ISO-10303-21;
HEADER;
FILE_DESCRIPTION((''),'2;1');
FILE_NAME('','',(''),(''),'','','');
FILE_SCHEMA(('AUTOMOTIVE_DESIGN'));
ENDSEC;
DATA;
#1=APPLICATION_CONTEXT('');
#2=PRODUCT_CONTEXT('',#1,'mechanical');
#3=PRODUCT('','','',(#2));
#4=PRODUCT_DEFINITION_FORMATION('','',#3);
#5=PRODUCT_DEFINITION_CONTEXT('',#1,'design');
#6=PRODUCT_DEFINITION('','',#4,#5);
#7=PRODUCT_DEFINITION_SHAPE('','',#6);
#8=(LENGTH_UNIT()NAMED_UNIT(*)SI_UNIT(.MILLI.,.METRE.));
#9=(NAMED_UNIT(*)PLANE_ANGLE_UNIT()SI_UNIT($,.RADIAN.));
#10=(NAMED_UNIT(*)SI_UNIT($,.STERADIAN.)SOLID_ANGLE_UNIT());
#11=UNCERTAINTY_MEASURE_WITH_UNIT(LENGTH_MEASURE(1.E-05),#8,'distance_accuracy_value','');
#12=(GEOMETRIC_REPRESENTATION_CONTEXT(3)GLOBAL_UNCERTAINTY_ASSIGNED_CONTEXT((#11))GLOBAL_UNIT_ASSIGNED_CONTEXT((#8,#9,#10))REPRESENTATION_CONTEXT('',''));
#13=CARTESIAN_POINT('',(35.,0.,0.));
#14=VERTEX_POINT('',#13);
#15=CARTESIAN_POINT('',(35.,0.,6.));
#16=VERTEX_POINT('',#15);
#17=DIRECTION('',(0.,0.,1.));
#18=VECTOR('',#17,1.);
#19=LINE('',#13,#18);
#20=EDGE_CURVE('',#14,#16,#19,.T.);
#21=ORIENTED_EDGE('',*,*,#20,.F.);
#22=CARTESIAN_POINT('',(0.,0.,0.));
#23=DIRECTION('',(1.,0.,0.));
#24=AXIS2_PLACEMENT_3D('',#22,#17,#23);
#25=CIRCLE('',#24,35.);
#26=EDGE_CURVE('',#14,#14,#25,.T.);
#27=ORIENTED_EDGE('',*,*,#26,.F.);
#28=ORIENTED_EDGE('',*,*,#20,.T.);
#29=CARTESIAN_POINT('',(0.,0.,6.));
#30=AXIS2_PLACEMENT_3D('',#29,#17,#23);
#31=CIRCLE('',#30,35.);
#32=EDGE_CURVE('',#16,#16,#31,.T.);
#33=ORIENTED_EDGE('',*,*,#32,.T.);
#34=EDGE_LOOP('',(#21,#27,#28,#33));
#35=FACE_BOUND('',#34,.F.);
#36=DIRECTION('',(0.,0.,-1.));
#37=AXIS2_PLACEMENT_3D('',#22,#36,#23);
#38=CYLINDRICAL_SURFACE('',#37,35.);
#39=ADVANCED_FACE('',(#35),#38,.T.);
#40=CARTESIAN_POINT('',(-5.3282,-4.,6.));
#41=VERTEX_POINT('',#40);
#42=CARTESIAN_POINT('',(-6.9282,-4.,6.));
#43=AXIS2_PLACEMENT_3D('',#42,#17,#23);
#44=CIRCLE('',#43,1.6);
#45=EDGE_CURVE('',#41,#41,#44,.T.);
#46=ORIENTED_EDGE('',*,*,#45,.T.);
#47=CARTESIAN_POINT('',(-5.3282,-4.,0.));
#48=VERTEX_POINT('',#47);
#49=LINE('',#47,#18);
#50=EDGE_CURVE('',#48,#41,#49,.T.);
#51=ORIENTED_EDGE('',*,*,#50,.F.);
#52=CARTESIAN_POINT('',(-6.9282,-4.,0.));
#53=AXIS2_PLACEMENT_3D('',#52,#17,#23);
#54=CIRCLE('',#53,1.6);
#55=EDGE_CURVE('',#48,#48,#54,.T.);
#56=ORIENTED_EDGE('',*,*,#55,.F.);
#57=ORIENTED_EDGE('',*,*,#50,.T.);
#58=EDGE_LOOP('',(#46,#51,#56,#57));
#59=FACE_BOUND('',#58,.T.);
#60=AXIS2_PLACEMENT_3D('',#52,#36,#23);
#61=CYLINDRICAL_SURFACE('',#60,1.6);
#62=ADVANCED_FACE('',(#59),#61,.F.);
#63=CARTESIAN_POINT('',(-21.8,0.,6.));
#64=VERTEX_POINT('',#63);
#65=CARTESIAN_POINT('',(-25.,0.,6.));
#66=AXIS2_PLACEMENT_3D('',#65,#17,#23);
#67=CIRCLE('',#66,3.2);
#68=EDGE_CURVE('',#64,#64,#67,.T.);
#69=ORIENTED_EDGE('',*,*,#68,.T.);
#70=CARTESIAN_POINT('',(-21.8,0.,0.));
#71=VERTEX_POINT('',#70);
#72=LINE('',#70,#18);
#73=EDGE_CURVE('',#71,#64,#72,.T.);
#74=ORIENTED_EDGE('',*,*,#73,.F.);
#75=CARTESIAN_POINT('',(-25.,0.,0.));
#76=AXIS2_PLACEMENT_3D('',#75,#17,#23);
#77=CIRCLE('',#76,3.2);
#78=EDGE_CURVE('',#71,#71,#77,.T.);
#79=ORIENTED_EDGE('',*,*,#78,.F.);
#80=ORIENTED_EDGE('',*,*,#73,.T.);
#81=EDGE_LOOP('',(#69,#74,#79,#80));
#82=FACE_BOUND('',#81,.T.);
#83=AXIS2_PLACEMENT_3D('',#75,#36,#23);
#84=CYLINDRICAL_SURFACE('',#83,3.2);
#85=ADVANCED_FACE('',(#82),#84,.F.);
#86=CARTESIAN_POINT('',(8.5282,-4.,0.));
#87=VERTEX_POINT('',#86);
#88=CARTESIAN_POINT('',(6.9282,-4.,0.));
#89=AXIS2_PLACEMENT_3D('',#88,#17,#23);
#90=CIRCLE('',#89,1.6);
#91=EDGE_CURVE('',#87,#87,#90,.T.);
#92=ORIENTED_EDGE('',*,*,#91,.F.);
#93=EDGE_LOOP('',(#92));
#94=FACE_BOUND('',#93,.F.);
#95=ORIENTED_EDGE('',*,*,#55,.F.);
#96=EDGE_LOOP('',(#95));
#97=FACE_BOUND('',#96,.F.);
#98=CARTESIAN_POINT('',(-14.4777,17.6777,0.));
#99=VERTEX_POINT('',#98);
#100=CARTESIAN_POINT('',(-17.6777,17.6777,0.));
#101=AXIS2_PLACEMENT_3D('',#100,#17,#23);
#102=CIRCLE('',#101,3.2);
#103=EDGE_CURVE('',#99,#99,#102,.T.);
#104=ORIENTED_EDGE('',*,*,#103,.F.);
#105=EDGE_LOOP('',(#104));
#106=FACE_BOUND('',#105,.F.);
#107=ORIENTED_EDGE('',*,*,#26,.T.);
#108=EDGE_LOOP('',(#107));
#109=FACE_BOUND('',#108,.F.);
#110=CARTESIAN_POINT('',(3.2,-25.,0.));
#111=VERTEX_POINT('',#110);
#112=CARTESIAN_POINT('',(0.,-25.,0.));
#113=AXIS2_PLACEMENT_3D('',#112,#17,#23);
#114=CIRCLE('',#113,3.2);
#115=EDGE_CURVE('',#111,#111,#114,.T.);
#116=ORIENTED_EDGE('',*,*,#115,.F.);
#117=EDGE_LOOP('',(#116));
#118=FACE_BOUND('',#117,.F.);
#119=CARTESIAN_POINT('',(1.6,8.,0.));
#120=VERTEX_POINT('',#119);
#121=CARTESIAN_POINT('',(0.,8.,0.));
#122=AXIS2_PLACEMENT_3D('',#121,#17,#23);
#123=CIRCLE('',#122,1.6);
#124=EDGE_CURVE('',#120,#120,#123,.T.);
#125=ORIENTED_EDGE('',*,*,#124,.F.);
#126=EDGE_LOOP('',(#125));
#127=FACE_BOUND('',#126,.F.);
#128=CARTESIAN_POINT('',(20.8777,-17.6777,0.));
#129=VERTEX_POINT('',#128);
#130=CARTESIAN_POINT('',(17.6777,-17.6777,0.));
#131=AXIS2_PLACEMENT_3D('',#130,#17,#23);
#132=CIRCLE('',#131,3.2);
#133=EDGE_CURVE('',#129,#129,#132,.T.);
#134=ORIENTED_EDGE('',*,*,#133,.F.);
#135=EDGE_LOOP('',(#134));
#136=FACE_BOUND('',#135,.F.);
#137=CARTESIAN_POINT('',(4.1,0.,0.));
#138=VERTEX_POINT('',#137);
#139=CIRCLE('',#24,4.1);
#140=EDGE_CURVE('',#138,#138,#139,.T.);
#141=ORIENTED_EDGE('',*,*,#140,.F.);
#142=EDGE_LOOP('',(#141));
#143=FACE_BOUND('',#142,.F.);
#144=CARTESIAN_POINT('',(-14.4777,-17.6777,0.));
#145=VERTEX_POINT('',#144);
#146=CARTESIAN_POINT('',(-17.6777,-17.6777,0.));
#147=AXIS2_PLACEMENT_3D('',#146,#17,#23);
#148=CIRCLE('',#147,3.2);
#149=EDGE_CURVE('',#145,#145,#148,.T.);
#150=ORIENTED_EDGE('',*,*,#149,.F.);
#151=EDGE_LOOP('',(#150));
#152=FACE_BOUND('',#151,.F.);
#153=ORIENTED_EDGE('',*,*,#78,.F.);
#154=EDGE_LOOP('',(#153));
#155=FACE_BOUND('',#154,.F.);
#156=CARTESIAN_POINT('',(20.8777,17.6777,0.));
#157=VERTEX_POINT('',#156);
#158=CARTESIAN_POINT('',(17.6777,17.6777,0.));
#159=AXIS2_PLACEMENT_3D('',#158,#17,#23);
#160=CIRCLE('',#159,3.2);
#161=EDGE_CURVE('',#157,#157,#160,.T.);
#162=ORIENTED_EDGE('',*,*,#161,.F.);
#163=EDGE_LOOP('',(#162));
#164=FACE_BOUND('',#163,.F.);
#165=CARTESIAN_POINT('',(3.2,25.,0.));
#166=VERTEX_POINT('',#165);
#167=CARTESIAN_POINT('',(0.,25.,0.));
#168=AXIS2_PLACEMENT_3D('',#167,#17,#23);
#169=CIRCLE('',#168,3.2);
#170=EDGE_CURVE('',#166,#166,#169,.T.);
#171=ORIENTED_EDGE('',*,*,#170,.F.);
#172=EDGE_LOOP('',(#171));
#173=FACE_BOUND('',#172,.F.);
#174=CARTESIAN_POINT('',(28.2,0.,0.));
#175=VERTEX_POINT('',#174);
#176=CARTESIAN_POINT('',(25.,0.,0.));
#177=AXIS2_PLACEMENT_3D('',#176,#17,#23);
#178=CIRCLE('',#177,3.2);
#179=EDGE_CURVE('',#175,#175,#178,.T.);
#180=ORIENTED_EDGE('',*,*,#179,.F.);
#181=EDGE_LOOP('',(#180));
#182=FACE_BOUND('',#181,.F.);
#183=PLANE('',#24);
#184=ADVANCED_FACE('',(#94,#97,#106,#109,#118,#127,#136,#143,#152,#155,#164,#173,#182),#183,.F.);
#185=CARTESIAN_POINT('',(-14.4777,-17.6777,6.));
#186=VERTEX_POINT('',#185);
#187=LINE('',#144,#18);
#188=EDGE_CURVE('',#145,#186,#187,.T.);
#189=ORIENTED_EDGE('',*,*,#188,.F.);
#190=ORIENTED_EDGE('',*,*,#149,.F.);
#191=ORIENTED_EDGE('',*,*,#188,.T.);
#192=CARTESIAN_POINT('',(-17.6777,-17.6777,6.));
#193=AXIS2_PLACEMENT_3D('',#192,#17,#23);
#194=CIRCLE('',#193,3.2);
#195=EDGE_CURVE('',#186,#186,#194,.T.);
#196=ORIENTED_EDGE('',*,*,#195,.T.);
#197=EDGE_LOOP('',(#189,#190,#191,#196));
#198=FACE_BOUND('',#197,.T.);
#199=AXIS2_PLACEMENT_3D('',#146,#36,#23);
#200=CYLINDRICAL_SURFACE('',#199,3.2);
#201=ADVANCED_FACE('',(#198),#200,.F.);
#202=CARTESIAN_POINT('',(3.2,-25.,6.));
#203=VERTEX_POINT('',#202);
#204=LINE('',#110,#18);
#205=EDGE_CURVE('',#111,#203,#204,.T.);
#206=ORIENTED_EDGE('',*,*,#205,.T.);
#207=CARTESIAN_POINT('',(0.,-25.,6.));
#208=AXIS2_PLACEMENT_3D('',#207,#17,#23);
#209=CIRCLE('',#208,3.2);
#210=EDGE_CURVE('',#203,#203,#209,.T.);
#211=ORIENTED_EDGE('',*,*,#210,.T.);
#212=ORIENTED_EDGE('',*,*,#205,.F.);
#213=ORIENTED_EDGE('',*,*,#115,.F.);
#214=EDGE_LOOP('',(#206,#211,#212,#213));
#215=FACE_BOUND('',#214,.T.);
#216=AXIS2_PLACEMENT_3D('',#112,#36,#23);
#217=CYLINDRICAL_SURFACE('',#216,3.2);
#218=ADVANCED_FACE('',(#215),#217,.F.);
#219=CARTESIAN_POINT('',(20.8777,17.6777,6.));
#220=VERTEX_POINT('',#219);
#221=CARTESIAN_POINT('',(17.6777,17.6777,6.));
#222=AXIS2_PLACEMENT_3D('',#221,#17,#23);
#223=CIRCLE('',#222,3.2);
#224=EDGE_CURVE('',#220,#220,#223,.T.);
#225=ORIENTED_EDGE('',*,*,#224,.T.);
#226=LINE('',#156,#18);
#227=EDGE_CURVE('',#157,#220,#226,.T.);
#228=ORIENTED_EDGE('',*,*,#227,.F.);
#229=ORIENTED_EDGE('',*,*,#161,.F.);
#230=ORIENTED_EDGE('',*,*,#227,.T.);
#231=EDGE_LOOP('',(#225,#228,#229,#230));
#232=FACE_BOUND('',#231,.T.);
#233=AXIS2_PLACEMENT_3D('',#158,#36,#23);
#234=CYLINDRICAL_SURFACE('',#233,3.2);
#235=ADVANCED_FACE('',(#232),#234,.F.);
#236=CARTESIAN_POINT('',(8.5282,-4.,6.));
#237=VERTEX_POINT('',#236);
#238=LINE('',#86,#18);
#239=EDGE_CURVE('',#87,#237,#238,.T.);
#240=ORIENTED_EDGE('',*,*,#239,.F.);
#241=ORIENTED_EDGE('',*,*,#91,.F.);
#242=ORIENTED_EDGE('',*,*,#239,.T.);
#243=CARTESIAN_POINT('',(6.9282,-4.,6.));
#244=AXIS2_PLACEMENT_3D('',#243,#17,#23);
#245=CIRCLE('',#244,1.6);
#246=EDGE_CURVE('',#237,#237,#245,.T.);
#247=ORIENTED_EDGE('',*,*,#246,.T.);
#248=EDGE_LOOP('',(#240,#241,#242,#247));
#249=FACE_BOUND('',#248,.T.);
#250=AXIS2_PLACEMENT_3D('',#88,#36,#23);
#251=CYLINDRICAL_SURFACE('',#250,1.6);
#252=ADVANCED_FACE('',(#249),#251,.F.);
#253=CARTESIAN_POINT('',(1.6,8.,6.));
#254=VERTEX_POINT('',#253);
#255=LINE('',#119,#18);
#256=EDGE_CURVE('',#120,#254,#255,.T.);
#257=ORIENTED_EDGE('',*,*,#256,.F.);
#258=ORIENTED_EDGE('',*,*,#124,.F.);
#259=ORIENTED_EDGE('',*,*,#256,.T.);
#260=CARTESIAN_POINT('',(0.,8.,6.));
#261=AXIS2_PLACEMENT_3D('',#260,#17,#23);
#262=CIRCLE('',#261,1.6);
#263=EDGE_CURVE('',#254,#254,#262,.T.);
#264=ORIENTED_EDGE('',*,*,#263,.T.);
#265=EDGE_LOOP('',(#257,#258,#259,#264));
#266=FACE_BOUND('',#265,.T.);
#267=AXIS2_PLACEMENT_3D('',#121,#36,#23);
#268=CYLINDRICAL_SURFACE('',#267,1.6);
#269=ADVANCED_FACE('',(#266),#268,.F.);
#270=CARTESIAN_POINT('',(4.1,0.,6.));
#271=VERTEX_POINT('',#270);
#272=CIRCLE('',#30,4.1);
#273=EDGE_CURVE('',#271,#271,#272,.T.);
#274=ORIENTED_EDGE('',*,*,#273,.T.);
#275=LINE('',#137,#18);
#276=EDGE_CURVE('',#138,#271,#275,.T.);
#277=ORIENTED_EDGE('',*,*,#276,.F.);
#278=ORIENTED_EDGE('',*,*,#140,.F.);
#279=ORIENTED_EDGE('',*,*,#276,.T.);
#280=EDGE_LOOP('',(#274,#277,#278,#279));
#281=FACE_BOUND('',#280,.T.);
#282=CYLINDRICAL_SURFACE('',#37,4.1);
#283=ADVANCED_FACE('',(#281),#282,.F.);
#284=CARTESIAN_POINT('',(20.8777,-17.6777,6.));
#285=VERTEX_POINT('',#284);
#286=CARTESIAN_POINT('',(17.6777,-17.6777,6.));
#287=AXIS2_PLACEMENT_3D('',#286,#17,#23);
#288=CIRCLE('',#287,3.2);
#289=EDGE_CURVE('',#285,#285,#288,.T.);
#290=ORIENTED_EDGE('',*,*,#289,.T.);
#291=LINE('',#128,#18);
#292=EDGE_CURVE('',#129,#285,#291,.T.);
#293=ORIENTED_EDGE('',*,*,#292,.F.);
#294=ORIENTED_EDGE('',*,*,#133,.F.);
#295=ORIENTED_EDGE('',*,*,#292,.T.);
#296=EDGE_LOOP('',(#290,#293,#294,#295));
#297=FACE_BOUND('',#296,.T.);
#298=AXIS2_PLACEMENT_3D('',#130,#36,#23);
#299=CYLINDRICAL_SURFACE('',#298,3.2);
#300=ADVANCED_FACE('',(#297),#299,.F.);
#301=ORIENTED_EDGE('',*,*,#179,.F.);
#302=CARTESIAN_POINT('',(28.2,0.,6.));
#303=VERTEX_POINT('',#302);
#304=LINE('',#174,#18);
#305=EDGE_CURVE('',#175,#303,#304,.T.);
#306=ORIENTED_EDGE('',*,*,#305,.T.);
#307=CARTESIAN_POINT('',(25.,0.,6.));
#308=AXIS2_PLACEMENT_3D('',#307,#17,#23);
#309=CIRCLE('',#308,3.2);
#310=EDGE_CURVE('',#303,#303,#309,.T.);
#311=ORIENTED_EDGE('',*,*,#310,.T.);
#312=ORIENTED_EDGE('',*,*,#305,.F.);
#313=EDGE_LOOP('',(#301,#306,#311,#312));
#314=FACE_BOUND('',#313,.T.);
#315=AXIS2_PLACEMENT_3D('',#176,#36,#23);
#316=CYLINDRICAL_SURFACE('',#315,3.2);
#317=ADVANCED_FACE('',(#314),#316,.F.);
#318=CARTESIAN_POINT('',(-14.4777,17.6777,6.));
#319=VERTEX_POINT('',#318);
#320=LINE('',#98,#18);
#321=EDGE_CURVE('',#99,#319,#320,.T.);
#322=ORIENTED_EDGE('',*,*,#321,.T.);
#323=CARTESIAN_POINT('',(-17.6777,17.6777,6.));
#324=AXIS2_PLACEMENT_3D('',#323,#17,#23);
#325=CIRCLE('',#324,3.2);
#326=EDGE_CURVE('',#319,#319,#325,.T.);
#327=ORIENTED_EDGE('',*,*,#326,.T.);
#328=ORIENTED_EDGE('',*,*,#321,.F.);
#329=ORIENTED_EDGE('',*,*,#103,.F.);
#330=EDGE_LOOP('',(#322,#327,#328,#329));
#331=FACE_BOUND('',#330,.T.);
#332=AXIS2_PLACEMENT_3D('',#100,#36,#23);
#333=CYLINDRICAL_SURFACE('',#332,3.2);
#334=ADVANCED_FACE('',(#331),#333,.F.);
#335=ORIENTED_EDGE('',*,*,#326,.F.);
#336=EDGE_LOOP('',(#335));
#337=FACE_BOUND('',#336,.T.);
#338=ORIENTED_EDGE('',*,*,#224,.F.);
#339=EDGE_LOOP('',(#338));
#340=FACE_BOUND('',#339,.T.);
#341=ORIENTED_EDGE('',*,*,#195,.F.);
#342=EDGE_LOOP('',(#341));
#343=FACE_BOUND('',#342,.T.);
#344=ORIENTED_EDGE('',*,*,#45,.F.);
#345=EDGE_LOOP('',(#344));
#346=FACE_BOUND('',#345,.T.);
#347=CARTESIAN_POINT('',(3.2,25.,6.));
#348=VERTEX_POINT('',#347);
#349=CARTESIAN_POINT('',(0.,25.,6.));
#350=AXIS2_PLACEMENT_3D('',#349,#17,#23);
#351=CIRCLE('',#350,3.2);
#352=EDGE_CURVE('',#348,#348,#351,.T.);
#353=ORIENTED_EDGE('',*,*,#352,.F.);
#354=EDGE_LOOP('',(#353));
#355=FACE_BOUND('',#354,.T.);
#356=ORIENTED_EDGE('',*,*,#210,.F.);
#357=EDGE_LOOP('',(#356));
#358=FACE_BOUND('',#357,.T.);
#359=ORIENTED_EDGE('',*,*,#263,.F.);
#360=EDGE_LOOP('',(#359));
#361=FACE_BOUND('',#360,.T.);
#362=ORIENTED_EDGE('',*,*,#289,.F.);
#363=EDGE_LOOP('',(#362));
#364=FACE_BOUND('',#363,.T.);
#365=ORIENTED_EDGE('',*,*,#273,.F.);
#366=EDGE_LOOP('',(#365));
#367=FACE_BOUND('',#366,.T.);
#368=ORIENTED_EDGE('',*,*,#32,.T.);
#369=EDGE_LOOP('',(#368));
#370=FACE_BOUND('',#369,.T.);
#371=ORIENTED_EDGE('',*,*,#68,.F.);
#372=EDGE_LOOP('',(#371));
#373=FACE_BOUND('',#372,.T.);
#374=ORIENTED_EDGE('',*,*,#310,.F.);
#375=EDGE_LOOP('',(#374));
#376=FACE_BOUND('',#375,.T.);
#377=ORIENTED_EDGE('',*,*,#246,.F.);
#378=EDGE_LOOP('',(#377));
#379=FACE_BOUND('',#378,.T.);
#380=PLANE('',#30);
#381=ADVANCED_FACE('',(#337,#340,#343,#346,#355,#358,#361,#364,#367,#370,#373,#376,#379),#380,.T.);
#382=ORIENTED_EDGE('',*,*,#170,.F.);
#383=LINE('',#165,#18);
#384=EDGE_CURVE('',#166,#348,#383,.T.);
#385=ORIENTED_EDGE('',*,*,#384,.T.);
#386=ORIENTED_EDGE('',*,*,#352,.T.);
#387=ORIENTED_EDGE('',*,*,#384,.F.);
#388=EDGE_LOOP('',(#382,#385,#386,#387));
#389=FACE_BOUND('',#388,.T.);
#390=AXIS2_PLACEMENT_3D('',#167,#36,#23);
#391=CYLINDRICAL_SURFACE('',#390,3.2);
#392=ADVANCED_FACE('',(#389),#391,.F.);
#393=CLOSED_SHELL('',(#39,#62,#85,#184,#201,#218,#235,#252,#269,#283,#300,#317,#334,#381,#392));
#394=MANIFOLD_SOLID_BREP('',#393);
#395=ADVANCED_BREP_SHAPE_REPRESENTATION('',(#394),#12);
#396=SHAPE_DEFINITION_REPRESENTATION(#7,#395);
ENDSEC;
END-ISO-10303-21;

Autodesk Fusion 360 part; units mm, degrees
sketch "Sketch1" plane through (0, 0, 0) normal (0, 0, 1) x (1, 0, 0)
  circle A0 centre (0, 0) radius 4.1
  circle A1 centre (0, 0) radius 35
  circle A2 centre (0, 0) radius 8 construction
  circle A3 centre (0, 0) radius 25 construction
  circle A4 centre (0, 25) radius 6.3
  circle A5 centre (0, 25) radius 3.2
  circle A6 centre (0, 8) radius 1.6
  circle A7 centre (-6.9282, -4) radius 1.6
  circle A8 centre (6.9282, -4) radius 1.6
  circle A9 centre (-17.6777, 17.6777) radius 3.2
  circle A10 centre (-25, 0) radius 3.2
  circle A11 centre (-17.6777, -17.6777) radius 3.2
  circle A12 centre (0, -25) radius 3.2
  circle A13 centre (17.6777, -17.6777) radius 3.2
  circle A14 centre (25, 0) radius 3.2
  circle A15 centre (17.6777, 17.6777) radius 3.2
  dimension "d1" = 8.2
  dimension "d2" = 50
  dimension "d3" = 70
  dimension "d4" = 16
  dimension "d5" = 12.6
  dimension "d6" = 6.4
  dimension "d7" = 3.2
  dimension "d9" = 360
  dimension "d11" = 360
extrude "Extrude1" add sketch "Sketch1" along normal blind 6 contours A1 | A4
